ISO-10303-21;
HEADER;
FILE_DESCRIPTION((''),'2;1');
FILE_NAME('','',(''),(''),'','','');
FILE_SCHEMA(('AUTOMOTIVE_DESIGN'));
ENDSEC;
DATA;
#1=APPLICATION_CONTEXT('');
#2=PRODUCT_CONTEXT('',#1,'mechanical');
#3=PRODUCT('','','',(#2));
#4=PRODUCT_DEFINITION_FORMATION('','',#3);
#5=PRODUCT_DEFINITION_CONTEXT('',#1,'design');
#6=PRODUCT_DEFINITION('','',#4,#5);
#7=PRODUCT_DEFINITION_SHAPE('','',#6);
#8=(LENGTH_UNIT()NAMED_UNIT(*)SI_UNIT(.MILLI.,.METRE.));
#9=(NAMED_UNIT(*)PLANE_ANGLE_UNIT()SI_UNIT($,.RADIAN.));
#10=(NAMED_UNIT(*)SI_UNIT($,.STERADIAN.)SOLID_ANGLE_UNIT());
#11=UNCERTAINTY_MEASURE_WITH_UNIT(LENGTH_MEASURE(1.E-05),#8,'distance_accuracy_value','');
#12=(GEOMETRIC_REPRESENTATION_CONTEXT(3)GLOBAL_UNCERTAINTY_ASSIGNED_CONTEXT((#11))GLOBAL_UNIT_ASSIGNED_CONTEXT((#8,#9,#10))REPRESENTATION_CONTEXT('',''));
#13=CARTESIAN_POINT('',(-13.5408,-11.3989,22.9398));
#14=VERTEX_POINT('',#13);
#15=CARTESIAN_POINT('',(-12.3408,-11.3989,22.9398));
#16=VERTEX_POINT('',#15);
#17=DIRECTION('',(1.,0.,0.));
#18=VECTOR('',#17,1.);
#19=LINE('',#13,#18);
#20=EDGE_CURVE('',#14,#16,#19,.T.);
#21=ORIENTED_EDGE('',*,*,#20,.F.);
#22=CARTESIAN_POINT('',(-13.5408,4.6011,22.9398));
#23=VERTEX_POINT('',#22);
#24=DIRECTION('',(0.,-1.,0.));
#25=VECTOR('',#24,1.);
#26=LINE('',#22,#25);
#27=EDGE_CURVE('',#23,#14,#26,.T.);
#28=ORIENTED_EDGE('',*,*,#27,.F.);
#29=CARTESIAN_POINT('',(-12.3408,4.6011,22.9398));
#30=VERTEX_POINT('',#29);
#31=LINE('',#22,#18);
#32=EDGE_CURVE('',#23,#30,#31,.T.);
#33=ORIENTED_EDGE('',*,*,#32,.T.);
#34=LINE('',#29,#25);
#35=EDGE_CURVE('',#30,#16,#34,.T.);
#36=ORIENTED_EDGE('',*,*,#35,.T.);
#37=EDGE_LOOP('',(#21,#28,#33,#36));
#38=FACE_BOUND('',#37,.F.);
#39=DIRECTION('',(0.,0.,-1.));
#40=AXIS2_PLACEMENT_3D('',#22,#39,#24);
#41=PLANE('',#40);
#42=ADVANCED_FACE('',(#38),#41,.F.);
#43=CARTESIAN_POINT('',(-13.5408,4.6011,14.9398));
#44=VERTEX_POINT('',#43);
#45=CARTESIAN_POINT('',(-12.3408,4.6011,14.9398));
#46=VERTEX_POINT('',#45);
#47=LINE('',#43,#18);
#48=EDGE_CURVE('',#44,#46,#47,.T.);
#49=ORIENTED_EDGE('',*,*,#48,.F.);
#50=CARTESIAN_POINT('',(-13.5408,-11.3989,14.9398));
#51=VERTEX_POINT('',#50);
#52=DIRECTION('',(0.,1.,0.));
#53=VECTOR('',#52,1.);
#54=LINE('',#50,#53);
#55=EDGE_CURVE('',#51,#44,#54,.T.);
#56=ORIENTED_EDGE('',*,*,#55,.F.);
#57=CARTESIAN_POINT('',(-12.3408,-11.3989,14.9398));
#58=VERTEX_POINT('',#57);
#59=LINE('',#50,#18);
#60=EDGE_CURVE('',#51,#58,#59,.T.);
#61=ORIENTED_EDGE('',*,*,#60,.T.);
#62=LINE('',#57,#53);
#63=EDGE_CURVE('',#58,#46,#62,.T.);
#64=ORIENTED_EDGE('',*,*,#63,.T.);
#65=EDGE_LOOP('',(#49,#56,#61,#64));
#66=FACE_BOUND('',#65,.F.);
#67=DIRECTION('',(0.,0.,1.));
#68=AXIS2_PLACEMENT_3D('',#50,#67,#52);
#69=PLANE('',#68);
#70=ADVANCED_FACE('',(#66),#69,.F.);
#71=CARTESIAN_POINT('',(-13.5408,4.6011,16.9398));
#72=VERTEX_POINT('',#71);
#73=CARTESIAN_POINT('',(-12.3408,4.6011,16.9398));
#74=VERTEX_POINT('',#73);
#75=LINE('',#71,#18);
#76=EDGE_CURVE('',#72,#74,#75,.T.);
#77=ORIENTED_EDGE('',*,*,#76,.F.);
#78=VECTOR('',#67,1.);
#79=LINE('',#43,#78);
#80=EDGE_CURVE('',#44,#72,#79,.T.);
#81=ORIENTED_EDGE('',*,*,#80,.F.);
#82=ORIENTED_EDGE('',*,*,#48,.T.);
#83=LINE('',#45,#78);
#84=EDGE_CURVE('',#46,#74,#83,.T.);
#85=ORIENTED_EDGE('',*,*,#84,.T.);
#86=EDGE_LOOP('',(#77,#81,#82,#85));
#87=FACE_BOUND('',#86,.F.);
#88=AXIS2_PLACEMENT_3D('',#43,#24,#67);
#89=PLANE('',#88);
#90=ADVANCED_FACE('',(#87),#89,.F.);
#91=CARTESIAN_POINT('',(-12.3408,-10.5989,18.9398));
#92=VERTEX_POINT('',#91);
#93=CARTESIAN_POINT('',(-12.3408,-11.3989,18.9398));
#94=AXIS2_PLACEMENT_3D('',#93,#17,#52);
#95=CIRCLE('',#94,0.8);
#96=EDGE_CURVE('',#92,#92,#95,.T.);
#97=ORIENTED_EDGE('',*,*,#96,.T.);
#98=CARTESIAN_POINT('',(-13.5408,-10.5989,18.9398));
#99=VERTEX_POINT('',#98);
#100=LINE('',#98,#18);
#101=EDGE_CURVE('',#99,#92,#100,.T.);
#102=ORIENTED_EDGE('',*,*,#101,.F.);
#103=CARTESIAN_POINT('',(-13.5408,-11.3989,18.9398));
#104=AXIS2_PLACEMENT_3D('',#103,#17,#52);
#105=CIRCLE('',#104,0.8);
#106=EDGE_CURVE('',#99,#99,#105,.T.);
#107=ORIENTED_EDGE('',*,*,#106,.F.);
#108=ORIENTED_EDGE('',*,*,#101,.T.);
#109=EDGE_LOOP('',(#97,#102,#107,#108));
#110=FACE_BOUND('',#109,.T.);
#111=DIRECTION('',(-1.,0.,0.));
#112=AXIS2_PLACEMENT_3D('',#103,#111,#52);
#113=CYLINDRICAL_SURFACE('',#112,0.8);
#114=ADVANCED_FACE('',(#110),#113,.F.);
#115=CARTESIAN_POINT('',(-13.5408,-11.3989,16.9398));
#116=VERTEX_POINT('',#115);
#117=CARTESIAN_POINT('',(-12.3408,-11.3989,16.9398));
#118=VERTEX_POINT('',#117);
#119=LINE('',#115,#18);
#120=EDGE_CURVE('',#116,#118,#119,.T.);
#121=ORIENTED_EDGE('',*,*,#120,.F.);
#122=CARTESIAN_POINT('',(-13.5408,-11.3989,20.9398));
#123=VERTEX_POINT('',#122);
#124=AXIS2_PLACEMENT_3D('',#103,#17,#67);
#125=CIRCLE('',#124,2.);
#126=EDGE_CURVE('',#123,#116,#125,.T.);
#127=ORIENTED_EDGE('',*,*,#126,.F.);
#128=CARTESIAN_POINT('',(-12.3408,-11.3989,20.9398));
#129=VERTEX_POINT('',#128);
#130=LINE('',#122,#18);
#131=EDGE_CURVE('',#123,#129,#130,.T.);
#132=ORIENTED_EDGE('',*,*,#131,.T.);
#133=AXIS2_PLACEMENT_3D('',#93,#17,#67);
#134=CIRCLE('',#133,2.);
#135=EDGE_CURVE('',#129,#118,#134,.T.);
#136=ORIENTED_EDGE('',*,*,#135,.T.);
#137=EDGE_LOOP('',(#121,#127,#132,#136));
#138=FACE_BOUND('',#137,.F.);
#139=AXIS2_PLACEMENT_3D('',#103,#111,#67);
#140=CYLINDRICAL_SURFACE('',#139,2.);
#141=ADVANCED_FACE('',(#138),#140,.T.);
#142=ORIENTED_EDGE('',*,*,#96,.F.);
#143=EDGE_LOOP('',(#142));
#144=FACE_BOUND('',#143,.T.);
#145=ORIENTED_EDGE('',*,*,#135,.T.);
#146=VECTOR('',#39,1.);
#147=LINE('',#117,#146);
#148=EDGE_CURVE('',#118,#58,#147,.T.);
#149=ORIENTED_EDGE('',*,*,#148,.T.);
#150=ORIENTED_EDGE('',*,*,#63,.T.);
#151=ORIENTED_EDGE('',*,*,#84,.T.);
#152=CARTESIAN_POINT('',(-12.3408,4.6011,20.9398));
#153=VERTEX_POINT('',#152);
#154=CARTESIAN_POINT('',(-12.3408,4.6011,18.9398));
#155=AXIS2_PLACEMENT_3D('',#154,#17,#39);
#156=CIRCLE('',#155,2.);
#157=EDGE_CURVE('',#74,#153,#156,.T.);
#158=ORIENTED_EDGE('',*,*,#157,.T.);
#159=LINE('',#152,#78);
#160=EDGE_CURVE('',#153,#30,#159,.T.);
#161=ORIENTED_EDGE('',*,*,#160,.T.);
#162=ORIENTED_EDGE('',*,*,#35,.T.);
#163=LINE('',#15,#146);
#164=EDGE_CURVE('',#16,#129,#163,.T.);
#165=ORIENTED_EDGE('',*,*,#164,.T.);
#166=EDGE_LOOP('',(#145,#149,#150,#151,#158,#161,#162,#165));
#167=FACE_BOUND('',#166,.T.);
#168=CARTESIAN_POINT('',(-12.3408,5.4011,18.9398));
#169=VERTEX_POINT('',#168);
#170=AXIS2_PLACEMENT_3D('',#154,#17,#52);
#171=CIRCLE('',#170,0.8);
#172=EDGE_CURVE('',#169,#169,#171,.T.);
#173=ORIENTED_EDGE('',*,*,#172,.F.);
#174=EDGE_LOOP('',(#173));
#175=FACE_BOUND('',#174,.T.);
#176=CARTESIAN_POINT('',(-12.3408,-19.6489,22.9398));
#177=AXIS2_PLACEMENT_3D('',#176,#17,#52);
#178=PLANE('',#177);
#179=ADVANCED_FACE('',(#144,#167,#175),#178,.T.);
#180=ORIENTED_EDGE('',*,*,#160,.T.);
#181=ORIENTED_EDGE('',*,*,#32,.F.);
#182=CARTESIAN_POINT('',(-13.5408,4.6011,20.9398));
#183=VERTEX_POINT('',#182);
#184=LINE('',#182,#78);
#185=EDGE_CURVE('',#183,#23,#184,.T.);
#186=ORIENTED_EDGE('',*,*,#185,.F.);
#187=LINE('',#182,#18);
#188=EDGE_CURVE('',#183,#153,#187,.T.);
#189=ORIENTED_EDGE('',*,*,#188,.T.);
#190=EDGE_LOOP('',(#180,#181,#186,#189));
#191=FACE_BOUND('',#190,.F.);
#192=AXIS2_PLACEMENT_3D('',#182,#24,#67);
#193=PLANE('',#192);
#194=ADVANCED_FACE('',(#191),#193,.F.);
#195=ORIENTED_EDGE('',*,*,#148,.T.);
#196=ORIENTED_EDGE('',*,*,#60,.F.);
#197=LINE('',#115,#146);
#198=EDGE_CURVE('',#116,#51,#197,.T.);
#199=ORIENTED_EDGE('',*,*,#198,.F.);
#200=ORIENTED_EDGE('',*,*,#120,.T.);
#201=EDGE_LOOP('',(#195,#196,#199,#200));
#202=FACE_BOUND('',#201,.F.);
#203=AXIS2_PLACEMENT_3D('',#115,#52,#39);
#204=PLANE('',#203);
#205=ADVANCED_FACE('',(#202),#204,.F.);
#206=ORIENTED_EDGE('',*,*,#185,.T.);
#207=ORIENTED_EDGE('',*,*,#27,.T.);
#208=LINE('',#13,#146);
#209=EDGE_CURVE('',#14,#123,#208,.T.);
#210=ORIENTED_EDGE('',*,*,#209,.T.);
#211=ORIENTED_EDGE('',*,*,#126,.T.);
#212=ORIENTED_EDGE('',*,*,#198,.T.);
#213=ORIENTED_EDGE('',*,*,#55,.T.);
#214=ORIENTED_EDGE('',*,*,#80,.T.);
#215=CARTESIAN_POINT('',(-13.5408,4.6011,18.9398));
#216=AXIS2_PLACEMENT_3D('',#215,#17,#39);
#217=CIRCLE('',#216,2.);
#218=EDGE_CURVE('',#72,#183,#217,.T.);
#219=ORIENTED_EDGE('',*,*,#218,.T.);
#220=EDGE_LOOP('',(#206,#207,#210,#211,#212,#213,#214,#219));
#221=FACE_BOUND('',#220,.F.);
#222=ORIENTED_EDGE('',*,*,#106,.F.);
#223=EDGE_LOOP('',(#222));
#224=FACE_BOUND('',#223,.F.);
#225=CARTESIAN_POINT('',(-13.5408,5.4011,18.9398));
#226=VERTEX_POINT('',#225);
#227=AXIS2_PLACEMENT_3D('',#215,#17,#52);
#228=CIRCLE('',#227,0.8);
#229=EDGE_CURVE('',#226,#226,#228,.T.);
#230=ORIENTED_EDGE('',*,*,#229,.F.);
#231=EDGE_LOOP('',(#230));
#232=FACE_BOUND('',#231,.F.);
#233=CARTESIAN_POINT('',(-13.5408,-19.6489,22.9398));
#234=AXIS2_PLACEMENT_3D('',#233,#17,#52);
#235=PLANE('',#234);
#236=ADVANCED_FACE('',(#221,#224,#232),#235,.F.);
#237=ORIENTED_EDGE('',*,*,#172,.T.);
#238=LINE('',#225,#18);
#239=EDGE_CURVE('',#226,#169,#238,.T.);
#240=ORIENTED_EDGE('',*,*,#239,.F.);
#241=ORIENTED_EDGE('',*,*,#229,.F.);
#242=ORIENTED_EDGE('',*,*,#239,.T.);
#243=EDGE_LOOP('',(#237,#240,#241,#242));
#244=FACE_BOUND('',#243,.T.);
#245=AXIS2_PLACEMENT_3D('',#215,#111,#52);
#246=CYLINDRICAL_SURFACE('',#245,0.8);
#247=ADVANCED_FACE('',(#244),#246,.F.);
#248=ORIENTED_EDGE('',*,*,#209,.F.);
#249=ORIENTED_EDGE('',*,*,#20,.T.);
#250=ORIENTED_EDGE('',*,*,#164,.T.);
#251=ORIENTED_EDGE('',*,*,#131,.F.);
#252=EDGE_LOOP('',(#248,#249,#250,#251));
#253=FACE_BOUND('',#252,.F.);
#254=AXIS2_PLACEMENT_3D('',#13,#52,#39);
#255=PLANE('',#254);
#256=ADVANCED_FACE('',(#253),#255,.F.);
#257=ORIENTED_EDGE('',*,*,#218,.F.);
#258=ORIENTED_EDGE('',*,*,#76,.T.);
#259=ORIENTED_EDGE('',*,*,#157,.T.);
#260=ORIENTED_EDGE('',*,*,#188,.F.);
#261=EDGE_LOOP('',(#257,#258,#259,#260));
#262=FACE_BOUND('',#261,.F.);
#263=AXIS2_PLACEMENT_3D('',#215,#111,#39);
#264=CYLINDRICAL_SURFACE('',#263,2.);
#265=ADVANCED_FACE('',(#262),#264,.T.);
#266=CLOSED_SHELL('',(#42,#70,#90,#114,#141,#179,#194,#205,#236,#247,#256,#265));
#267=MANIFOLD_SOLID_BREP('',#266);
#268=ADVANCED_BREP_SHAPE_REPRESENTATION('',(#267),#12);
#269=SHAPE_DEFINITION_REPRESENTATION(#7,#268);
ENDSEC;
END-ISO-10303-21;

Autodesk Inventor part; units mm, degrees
ref_plane "YZ Plane" through (0, 0, 0) normal (1, 0, 0) x (0, 1, 0)
ref_plane "XZ Plane" through (0, 0, 0) normal (0, 1, 0) x (-1, 0, 0)
ref_plane "XY Plane" through (0, 0, 0) normal (0, 0, 1) x (1, 0, 0)
ref_plane "作業平面1" through (-13.5408, -19.6489, 22.9398) normal (1, 0, 0) x (0, 1, 0)
sketch "スケッチ1" plane through (-13.5408, -19.6489, 22.9398) normal (1, 0, 0) x (0, 1, 0)
  circle A0 centre (24.25, -4) radius 0.8 projected
  circle A1 centre (8.25, -4) radius 0.8 projected
  arc A2 (24.25, -6) -> (24.25, -2) centre (24.25, -4) ccw
  arc A3 (8.25, -2) -> (8.25, -6) centre (8.25, -4) ccw
  line L0 (24.25, -2) -> (24.25, 0)
  line L1 (24.25, 0) -> (8.25, 0)
  line L2 (8.25, 0) -> (8.25, -2)
  line L3 (8.25, -6) -> (8.25, -8)
  line L4 (8.25, -8) -> (24.25, -8)
  line L5 (24.25, -8) -> (24.25, -6)
  line L6 (24.25, -2) -> (24.25, -6) construction
  point P0 (19.6489, -22.9398)
  dimension "d0" = 2
  dimension "d1" = 8
extrude "押し出し1" add sketch "スケッチ1" along normal blind 1.2
properties part number "BallSensor_PCB"
